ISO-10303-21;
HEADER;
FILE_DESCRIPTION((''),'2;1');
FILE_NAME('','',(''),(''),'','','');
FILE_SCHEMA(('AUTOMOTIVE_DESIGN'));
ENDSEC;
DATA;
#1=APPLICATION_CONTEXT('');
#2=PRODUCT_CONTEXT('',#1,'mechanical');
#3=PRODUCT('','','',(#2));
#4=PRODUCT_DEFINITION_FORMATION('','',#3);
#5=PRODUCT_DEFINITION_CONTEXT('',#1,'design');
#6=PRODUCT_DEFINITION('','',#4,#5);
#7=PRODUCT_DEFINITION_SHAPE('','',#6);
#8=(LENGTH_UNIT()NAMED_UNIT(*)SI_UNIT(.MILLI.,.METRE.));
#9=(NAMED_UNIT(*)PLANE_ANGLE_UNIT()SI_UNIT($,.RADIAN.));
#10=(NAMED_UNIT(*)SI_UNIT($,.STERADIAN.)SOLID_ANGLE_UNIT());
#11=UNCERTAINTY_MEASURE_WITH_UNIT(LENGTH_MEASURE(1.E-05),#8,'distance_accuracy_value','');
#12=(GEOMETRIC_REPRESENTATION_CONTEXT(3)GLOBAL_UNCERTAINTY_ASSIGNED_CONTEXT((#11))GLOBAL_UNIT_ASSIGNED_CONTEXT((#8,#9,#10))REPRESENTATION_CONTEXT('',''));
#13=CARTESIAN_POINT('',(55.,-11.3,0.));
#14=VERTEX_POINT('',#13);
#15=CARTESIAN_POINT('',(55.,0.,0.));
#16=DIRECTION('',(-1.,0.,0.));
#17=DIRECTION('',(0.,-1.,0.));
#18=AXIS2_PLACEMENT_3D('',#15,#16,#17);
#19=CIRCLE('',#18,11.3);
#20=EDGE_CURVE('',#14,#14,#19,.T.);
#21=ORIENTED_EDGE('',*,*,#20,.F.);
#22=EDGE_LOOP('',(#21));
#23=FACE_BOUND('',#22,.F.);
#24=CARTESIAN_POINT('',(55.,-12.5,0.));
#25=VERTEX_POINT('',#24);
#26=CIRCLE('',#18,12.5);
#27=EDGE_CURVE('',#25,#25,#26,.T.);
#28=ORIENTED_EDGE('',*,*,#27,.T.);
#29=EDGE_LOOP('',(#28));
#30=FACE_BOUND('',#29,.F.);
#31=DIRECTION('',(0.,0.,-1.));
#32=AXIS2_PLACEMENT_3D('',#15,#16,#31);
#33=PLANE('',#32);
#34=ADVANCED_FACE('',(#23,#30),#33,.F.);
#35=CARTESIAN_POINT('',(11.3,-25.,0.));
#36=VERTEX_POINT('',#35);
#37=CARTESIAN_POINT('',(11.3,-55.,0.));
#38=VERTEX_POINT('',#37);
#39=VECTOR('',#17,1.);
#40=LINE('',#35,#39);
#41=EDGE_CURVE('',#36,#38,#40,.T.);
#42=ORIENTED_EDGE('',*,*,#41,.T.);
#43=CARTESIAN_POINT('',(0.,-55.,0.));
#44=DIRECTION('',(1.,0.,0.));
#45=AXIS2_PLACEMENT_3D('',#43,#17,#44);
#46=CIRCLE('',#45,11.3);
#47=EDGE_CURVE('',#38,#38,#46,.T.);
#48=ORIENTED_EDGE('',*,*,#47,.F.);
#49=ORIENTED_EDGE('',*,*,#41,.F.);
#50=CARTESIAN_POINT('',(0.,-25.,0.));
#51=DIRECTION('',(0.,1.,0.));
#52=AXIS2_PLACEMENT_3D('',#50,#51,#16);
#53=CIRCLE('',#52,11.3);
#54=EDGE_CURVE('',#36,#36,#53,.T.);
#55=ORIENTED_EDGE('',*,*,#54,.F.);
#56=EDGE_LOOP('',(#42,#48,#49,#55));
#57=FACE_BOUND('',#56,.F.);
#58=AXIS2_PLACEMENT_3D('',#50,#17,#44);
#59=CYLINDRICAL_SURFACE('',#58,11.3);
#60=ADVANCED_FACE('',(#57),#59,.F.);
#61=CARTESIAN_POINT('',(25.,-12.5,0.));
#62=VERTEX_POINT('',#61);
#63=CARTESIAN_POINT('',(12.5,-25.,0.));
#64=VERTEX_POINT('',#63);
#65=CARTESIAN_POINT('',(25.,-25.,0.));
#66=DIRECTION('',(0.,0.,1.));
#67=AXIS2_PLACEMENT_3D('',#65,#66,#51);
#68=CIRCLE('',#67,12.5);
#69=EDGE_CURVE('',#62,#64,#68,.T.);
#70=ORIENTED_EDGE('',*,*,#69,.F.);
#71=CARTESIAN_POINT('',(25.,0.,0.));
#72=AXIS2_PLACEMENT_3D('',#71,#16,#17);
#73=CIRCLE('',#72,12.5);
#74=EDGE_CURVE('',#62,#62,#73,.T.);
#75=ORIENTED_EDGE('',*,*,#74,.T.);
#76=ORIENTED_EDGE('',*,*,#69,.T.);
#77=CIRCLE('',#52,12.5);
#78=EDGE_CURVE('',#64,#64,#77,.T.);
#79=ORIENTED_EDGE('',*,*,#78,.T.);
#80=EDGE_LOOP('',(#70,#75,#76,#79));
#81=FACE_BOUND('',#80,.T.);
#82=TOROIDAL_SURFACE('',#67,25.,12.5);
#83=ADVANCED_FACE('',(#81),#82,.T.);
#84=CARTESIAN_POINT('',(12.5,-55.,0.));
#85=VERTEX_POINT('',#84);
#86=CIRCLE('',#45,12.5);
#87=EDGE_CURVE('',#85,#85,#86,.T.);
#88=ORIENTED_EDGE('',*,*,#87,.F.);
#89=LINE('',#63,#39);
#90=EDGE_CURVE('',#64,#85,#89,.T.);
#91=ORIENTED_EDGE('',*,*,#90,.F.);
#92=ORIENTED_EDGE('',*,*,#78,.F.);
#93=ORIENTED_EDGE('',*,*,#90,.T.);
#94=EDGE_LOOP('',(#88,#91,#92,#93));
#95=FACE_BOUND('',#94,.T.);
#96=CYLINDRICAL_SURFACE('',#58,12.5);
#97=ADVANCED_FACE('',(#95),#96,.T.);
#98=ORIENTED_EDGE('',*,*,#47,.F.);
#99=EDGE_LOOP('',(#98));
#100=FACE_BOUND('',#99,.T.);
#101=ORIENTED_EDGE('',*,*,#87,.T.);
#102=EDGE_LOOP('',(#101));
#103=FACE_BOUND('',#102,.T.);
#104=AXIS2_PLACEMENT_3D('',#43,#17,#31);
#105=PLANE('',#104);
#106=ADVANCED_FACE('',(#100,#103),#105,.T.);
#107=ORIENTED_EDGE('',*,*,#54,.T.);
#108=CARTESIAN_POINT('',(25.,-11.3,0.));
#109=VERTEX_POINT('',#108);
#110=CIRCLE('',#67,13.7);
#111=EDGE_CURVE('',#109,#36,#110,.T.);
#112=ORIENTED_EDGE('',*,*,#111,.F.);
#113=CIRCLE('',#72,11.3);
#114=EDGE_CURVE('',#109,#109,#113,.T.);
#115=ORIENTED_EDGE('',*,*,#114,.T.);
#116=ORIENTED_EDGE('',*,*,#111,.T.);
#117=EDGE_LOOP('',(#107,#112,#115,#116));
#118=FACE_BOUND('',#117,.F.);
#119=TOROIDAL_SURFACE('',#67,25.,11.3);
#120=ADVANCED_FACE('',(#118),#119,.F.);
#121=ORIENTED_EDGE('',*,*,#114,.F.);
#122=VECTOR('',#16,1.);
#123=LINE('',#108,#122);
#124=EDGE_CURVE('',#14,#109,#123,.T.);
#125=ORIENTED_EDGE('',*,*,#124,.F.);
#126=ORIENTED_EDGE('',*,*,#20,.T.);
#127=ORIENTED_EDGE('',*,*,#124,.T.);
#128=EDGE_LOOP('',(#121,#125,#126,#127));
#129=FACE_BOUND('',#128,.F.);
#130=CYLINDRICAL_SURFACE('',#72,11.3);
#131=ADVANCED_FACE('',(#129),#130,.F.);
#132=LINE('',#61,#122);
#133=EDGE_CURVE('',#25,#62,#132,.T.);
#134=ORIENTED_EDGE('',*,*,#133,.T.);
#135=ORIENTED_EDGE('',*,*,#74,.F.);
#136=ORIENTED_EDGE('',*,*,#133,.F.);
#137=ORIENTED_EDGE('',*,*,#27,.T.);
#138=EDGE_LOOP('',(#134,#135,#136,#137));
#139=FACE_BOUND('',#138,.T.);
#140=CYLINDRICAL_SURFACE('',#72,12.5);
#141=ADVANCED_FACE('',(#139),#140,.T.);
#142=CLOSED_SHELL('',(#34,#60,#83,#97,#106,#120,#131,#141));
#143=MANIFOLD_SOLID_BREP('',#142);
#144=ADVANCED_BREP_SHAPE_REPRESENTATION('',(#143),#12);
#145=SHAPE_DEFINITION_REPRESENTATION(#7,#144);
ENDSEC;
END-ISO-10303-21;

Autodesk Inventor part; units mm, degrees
ref_plane "YZ Plane" through (0, 0, 0) normal (1, 0, 0) x (0, 1, 0)
ref_plane "XZ Plane" through (0, 0, 0) normal (0, 1, 0) x (-1, 0, 0)
sketch "Szkic6" plane through (0, 0, 0) normal (0, 0, 1) x (1, 0, 0)
  line L0 (-29.6067, 0) -> (35.2678, 0) construction
  line L1 (0, 42.3419) -> (0, -58.3726) construction
  arc A0 (25, 0) -> (0, -25) centre (25, -25) ccw
  line L2 (0, -25) -> (25, -25) construction
  line L3 (25, -25) -> (25, 40.5331) construction
  line L4 (25, 0) -> (55, 0)
  line L5 (0, -25) -> (0, -55)
  point P0 (0, 0)
  dimension "d24" = 25
  dimension "d31" = 90
  dimension "d36" = 30
  dimension "d37" = 30
ref_plane "Płaszczyzna konstrukcyjna2" through (0, -25, 0) normal (0, -1, 0) x (1, 0, 0)
sketch "Szkic8" plane through (0, -25, 0) normal (0, -1, 0) x (1, 0, 0)
  circle A0 centre (0, 0) radius 12.5
  circle A1 centre (0, 0) radius 11.3
  dimension "d32" = 25
  dimension "d33" = 1.2
sweep "Przeciągnięcie2" add profiles "Szkic8" path "Szkic6"
equation "\"d32\" = OD"
equation "\"d33\" = THK"
equation "\"d24\" = R"
equation "\"d31\" = KAT"
equation "\"d36\" = PROSTKA"
equation "\"d37\" = PROSTKA"
equation "\"SzerokośćGięciaPodcięcia\" = Grubość"
equation "\"RozmiarPodcięciaNarożnika\" = 4 * Grubość"
equation "\"PromieńPrzejścia\" = PromieńGięcia"
equation "\"Rozmiar_promienia_Jacobiego\" = PromieńGięcia"
equation "\"Wielk_odstępu\" = Grubość"
equation "\"d2\" = PromieńGięcia"
equation "\"d23\" = PromieńGięcia"
equation "\"R\" = 25"
equation "\"OD\" = 25"
equation "\"THK\" = 1.2"
equation "\"KAT\" = 90deg"
equation "\"PROSTKA\" = 30"
equation "\"Grubość\" = 1.5"
equation "\"PromieńGięcia\" = 3"
properties part number "Kolano 90° ø25x1,2 R25" material "304L"
